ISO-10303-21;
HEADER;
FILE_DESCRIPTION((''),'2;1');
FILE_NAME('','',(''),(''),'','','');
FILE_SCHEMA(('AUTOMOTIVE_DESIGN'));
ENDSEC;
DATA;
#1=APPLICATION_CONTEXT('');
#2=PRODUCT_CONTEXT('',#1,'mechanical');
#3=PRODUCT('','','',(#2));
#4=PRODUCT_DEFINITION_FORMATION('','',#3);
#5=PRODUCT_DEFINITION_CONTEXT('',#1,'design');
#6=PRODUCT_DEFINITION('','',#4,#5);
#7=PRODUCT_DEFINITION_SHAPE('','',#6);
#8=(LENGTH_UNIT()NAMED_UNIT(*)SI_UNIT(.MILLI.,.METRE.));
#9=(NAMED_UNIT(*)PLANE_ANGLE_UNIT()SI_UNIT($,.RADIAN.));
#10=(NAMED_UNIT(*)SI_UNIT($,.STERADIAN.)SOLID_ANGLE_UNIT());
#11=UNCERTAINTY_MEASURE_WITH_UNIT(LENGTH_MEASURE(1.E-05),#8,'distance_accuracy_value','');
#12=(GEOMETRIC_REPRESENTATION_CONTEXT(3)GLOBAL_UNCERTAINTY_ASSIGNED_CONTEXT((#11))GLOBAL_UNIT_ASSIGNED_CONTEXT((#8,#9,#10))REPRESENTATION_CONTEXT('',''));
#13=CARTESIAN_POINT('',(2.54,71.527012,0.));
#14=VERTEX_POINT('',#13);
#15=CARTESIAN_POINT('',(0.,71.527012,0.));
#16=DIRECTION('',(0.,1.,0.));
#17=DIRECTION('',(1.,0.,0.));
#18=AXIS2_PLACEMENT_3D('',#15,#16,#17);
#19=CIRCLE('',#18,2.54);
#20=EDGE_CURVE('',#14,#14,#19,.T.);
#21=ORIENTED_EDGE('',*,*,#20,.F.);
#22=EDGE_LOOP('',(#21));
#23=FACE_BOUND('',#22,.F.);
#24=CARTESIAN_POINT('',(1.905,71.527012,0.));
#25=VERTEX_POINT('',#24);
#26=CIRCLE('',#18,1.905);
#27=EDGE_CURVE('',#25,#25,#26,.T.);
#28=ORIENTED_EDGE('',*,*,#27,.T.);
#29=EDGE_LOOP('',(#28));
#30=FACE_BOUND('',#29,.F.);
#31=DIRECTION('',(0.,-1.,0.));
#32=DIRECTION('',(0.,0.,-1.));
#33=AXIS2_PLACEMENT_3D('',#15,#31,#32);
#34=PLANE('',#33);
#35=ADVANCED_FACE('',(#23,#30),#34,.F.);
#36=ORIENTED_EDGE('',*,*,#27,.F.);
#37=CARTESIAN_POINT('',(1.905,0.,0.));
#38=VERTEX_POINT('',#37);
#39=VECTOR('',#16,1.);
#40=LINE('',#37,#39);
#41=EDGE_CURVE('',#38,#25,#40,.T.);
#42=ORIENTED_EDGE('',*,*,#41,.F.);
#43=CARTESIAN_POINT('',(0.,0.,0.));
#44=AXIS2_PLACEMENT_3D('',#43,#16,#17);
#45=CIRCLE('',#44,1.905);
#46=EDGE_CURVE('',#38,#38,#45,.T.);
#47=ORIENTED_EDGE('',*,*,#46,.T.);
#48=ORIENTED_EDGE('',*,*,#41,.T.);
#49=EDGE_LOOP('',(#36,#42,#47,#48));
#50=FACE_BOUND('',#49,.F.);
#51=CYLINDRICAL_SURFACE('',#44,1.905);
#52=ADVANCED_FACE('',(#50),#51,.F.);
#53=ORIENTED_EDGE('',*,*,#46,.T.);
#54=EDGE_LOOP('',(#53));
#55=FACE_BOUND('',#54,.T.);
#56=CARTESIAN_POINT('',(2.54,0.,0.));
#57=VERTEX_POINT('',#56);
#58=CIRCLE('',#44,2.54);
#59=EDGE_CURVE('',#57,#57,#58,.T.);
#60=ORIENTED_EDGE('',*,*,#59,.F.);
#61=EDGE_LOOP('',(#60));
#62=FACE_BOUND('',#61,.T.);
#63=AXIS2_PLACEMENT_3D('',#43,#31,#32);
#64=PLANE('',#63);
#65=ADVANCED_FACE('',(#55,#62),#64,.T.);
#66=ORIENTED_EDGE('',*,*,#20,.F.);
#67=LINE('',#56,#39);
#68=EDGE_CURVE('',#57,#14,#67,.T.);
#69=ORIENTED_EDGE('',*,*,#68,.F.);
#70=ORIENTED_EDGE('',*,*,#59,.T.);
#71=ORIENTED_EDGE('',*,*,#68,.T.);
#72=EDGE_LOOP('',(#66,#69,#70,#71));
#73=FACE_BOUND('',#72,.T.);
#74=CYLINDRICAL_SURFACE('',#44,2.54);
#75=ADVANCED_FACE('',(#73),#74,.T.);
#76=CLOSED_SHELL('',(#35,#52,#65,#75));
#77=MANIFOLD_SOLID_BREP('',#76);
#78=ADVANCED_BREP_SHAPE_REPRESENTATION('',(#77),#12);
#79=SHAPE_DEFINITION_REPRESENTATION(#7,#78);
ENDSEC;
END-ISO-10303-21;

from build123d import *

# Parameters (mm, degrees)
F0_R   = 2.54
F0_R_2 = 1.905


with BuildPart() as f2:
    # F2: sweep along a path in F1
    with BuildLine(Plane.XY) as f2_path:
        Line((0, 0), (0, 71.5270116925))
    # F0 (on Front) → F2 (sweep)
    with BuildSketch(Plane.XZ):
        Circle(F0_R)
        Circle(F0_R_2, mode=Mode.SUBTRACT)
    sweep(path=f2_path.line)


solid = f2.part
